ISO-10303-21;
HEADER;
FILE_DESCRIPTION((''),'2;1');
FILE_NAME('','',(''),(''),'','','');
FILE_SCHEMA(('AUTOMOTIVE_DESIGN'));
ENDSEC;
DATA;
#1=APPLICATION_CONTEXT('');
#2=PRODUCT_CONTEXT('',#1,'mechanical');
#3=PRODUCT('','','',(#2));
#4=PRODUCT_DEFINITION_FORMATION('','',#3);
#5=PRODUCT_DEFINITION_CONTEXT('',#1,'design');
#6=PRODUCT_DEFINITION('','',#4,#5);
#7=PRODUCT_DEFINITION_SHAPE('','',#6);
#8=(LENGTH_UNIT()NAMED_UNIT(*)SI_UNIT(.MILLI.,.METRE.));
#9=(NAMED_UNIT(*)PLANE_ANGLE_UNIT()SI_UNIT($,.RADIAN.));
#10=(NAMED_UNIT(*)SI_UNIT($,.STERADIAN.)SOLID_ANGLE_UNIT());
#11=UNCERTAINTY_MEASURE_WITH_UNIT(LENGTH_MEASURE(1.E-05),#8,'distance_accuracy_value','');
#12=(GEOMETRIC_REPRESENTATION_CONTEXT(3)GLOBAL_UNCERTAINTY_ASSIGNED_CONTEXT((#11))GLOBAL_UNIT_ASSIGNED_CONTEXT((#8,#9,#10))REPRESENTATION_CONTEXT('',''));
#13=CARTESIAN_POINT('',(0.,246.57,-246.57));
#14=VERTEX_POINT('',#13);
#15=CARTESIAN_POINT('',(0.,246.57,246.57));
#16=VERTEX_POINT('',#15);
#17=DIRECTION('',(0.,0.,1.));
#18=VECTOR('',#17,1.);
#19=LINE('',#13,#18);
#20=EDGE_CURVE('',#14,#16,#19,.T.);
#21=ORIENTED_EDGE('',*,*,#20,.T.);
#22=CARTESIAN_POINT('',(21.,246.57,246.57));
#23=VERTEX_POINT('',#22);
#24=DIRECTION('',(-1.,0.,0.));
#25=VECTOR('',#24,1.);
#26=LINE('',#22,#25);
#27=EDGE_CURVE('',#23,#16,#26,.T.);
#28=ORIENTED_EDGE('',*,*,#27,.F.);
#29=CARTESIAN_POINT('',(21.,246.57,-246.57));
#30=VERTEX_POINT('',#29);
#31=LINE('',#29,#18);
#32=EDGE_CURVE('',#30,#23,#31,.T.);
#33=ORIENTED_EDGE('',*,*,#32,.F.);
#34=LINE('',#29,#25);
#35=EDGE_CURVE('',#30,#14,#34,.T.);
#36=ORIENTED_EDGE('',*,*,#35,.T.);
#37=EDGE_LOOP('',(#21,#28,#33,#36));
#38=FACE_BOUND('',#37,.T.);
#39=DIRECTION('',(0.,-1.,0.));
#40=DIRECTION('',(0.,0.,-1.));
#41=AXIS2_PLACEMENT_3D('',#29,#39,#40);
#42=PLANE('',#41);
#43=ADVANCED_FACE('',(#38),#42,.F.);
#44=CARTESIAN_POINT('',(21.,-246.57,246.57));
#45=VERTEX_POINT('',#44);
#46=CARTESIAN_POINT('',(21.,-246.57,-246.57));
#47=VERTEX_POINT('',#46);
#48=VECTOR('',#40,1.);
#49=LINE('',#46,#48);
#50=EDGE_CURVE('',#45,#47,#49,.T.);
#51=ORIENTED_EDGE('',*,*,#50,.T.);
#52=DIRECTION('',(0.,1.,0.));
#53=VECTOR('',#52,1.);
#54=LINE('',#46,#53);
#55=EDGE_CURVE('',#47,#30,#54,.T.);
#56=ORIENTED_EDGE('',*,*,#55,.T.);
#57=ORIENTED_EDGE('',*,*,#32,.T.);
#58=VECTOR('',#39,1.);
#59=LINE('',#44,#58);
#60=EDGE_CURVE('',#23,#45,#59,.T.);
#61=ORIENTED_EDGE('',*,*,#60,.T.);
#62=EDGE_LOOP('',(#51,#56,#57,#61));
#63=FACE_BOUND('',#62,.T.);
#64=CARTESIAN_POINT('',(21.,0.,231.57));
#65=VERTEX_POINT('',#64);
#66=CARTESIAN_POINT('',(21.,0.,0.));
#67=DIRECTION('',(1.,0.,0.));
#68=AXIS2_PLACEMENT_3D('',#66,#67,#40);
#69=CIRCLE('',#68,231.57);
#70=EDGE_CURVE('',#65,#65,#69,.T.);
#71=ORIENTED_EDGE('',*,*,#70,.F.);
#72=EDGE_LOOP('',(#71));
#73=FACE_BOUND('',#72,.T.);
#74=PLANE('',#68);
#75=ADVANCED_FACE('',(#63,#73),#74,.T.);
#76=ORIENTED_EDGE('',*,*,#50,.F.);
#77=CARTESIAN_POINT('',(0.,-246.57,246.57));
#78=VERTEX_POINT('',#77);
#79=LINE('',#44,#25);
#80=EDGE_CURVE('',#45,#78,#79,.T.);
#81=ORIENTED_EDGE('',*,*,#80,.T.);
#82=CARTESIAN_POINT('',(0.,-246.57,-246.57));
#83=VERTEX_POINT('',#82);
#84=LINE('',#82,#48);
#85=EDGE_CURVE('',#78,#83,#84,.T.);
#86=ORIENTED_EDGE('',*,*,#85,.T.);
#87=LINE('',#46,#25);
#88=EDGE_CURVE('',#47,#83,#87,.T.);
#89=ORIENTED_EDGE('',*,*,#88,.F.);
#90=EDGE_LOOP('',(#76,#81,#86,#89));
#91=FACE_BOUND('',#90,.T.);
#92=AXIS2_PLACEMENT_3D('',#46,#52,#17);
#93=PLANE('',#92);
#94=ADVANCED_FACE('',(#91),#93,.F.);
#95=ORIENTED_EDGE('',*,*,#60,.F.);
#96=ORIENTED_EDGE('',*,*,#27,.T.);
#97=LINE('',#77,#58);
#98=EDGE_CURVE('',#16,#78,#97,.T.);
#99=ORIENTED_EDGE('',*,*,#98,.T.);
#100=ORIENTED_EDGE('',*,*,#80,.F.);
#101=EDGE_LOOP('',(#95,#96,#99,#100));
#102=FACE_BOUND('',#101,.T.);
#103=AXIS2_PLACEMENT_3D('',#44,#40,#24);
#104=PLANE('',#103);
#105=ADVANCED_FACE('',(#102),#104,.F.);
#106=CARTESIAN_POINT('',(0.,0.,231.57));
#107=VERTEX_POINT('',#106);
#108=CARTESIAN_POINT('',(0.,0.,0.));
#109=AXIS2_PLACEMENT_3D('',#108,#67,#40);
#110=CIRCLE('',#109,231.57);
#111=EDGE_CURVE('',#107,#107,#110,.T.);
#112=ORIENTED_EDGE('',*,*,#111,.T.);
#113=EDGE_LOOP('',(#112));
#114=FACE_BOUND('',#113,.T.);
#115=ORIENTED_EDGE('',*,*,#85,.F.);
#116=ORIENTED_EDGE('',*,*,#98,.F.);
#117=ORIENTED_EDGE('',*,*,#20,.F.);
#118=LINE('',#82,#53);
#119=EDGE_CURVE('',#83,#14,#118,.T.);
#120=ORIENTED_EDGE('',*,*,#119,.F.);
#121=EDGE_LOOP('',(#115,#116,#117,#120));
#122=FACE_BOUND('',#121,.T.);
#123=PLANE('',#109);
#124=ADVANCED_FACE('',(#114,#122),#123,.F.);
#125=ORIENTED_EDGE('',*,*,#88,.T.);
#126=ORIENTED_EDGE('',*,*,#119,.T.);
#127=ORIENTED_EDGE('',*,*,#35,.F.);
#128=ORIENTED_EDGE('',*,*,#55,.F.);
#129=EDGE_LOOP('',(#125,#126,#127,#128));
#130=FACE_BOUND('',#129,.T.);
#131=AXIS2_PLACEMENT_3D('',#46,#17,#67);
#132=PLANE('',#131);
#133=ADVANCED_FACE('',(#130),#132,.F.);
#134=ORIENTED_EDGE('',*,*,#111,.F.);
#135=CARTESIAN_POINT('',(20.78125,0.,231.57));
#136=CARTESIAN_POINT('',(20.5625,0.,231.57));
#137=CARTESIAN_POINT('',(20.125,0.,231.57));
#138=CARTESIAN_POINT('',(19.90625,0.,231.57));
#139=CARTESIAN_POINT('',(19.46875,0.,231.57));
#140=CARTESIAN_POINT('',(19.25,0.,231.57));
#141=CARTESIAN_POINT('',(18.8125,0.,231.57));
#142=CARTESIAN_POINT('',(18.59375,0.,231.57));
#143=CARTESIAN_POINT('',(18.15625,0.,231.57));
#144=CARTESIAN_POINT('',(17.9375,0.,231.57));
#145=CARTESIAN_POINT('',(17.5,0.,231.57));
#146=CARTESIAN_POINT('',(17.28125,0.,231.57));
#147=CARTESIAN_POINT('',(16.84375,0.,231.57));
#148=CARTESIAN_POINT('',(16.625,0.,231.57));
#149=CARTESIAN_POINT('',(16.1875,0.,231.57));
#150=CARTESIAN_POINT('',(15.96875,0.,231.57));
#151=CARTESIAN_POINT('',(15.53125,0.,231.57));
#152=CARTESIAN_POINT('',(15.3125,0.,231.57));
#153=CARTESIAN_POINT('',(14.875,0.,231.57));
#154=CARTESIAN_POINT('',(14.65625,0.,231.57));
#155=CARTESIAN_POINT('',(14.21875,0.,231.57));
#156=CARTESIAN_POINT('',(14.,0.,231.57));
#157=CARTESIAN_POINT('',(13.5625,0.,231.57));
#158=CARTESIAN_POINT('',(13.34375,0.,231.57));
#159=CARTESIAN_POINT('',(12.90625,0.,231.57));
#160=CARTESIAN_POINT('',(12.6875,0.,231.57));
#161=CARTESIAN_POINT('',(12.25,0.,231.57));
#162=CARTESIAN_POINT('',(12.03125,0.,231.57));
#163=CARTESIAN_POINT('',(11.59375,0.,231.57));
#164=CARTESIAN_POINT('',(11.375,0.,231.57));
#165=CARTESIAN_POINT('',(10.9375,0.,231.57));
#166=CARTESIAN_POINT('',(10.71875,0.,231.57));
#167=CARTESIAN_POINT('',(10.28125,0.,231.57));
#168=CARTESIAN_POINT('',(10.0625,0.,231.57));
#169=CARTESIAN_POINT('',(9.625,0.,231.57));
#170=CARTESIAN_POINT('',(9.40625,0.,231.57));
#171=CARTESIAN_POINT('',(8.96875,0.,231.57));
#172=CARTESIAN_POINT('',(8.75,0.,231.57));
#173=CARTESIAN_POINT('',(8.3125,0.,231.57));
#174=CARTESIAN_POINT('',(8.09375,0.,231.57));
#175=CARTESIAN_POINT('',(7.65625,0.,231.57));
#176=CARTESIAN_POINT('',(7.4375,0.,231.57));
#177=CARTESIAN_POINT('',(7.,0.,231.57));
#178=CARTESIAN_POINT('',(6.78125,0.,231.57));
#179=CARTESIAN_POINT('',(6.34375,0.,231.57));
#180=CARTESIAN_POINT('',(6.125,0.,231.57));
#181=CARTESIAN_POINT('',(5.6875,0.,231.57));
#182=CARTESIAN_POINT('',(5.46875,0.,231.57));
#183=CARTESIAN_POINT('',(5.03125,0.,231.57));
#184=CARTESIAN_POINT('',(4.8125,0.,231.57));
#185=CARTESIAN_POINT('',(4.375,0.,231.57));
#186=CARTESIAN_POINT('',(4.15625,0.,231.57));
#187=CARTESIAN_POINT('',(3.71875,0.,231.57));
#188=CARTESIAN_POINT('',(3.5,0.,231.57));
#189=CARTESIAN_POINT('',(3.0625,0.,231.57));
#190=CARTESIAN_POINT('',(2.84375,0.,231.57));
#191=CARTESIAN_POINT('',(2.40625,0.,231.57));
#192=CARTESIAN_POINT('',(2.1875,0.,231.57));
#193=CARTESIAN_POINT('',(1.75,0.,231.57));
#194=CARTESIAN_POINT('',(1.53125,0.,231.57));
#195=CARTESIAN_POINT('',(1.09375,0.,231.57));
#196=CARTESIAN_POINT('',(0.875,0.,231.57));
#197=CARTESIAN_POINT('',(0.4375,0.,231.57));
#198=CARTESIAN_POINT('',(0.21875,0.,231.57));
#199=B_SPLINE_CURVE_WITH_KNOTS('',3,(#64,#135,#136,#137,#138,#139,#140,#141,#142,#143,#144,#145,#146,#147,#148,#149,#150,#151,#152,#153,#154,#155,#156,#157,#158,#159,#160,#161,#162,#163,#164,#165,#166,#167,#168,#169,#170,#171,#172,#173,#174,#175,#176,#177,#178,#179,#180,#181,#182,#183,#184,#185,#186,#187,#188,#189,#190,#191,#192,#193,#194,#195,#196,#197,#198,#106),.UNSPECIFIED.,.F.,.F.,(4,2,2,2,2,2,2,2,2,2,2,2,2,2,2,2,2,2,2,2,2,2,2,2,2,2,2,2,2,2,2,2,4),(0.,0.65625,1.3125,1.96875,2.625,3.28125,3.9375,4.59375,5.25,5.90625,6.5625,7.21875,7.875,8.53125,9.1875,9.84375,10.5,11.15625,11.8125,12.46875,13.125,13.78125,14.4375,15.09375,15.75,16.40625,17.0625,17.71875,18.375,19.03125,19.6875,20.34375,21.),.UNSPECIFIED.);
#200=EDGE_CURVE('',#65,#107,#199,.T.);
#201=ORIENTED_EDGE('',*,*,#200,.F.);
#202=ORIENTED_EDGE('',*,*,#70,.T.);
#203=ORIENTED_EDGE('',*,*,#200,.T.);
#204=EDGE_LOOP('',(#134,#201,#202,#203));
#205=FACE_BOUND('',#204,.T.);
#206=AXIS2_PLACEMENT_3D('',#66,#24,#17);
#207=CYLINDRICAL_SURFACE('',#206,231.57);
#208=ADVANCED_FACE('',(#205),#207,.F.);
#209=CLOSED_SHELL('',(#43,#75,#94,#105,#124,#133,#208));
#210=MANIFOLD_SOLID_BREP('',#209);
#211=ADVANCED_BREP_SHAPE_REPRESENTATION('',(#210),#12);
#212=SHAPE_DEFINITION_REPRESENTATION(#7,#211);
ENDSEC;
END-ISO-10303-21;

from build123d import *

# Parameters (mm, degrees)
SKETCH1_W           = 493.14
SKETCH1_H           = 493.14
SKETCH1_R           = 231.57
BOSS_EXTRUDE1_DEPTH = 21


with BuildPart() as part:
    # Sketch1 → Boss-Extrude1 (new body)
    with BuildSketch(Plane(origin=(0, 0, 0), x_dir=(0, 0, -1), z_dir=(1, 0, 0))):
        Rectangle(SKETCH1_W, SKETCH1_H)
        with Locations(Location((0, 0, 0), (0, 0, 180))):
            Circle(SKETCH1_R, mode=Mode.SUBTRACT)
    extrude(amount=BOSS_EXTRUDE1_DEPTH)


solid = part.part
